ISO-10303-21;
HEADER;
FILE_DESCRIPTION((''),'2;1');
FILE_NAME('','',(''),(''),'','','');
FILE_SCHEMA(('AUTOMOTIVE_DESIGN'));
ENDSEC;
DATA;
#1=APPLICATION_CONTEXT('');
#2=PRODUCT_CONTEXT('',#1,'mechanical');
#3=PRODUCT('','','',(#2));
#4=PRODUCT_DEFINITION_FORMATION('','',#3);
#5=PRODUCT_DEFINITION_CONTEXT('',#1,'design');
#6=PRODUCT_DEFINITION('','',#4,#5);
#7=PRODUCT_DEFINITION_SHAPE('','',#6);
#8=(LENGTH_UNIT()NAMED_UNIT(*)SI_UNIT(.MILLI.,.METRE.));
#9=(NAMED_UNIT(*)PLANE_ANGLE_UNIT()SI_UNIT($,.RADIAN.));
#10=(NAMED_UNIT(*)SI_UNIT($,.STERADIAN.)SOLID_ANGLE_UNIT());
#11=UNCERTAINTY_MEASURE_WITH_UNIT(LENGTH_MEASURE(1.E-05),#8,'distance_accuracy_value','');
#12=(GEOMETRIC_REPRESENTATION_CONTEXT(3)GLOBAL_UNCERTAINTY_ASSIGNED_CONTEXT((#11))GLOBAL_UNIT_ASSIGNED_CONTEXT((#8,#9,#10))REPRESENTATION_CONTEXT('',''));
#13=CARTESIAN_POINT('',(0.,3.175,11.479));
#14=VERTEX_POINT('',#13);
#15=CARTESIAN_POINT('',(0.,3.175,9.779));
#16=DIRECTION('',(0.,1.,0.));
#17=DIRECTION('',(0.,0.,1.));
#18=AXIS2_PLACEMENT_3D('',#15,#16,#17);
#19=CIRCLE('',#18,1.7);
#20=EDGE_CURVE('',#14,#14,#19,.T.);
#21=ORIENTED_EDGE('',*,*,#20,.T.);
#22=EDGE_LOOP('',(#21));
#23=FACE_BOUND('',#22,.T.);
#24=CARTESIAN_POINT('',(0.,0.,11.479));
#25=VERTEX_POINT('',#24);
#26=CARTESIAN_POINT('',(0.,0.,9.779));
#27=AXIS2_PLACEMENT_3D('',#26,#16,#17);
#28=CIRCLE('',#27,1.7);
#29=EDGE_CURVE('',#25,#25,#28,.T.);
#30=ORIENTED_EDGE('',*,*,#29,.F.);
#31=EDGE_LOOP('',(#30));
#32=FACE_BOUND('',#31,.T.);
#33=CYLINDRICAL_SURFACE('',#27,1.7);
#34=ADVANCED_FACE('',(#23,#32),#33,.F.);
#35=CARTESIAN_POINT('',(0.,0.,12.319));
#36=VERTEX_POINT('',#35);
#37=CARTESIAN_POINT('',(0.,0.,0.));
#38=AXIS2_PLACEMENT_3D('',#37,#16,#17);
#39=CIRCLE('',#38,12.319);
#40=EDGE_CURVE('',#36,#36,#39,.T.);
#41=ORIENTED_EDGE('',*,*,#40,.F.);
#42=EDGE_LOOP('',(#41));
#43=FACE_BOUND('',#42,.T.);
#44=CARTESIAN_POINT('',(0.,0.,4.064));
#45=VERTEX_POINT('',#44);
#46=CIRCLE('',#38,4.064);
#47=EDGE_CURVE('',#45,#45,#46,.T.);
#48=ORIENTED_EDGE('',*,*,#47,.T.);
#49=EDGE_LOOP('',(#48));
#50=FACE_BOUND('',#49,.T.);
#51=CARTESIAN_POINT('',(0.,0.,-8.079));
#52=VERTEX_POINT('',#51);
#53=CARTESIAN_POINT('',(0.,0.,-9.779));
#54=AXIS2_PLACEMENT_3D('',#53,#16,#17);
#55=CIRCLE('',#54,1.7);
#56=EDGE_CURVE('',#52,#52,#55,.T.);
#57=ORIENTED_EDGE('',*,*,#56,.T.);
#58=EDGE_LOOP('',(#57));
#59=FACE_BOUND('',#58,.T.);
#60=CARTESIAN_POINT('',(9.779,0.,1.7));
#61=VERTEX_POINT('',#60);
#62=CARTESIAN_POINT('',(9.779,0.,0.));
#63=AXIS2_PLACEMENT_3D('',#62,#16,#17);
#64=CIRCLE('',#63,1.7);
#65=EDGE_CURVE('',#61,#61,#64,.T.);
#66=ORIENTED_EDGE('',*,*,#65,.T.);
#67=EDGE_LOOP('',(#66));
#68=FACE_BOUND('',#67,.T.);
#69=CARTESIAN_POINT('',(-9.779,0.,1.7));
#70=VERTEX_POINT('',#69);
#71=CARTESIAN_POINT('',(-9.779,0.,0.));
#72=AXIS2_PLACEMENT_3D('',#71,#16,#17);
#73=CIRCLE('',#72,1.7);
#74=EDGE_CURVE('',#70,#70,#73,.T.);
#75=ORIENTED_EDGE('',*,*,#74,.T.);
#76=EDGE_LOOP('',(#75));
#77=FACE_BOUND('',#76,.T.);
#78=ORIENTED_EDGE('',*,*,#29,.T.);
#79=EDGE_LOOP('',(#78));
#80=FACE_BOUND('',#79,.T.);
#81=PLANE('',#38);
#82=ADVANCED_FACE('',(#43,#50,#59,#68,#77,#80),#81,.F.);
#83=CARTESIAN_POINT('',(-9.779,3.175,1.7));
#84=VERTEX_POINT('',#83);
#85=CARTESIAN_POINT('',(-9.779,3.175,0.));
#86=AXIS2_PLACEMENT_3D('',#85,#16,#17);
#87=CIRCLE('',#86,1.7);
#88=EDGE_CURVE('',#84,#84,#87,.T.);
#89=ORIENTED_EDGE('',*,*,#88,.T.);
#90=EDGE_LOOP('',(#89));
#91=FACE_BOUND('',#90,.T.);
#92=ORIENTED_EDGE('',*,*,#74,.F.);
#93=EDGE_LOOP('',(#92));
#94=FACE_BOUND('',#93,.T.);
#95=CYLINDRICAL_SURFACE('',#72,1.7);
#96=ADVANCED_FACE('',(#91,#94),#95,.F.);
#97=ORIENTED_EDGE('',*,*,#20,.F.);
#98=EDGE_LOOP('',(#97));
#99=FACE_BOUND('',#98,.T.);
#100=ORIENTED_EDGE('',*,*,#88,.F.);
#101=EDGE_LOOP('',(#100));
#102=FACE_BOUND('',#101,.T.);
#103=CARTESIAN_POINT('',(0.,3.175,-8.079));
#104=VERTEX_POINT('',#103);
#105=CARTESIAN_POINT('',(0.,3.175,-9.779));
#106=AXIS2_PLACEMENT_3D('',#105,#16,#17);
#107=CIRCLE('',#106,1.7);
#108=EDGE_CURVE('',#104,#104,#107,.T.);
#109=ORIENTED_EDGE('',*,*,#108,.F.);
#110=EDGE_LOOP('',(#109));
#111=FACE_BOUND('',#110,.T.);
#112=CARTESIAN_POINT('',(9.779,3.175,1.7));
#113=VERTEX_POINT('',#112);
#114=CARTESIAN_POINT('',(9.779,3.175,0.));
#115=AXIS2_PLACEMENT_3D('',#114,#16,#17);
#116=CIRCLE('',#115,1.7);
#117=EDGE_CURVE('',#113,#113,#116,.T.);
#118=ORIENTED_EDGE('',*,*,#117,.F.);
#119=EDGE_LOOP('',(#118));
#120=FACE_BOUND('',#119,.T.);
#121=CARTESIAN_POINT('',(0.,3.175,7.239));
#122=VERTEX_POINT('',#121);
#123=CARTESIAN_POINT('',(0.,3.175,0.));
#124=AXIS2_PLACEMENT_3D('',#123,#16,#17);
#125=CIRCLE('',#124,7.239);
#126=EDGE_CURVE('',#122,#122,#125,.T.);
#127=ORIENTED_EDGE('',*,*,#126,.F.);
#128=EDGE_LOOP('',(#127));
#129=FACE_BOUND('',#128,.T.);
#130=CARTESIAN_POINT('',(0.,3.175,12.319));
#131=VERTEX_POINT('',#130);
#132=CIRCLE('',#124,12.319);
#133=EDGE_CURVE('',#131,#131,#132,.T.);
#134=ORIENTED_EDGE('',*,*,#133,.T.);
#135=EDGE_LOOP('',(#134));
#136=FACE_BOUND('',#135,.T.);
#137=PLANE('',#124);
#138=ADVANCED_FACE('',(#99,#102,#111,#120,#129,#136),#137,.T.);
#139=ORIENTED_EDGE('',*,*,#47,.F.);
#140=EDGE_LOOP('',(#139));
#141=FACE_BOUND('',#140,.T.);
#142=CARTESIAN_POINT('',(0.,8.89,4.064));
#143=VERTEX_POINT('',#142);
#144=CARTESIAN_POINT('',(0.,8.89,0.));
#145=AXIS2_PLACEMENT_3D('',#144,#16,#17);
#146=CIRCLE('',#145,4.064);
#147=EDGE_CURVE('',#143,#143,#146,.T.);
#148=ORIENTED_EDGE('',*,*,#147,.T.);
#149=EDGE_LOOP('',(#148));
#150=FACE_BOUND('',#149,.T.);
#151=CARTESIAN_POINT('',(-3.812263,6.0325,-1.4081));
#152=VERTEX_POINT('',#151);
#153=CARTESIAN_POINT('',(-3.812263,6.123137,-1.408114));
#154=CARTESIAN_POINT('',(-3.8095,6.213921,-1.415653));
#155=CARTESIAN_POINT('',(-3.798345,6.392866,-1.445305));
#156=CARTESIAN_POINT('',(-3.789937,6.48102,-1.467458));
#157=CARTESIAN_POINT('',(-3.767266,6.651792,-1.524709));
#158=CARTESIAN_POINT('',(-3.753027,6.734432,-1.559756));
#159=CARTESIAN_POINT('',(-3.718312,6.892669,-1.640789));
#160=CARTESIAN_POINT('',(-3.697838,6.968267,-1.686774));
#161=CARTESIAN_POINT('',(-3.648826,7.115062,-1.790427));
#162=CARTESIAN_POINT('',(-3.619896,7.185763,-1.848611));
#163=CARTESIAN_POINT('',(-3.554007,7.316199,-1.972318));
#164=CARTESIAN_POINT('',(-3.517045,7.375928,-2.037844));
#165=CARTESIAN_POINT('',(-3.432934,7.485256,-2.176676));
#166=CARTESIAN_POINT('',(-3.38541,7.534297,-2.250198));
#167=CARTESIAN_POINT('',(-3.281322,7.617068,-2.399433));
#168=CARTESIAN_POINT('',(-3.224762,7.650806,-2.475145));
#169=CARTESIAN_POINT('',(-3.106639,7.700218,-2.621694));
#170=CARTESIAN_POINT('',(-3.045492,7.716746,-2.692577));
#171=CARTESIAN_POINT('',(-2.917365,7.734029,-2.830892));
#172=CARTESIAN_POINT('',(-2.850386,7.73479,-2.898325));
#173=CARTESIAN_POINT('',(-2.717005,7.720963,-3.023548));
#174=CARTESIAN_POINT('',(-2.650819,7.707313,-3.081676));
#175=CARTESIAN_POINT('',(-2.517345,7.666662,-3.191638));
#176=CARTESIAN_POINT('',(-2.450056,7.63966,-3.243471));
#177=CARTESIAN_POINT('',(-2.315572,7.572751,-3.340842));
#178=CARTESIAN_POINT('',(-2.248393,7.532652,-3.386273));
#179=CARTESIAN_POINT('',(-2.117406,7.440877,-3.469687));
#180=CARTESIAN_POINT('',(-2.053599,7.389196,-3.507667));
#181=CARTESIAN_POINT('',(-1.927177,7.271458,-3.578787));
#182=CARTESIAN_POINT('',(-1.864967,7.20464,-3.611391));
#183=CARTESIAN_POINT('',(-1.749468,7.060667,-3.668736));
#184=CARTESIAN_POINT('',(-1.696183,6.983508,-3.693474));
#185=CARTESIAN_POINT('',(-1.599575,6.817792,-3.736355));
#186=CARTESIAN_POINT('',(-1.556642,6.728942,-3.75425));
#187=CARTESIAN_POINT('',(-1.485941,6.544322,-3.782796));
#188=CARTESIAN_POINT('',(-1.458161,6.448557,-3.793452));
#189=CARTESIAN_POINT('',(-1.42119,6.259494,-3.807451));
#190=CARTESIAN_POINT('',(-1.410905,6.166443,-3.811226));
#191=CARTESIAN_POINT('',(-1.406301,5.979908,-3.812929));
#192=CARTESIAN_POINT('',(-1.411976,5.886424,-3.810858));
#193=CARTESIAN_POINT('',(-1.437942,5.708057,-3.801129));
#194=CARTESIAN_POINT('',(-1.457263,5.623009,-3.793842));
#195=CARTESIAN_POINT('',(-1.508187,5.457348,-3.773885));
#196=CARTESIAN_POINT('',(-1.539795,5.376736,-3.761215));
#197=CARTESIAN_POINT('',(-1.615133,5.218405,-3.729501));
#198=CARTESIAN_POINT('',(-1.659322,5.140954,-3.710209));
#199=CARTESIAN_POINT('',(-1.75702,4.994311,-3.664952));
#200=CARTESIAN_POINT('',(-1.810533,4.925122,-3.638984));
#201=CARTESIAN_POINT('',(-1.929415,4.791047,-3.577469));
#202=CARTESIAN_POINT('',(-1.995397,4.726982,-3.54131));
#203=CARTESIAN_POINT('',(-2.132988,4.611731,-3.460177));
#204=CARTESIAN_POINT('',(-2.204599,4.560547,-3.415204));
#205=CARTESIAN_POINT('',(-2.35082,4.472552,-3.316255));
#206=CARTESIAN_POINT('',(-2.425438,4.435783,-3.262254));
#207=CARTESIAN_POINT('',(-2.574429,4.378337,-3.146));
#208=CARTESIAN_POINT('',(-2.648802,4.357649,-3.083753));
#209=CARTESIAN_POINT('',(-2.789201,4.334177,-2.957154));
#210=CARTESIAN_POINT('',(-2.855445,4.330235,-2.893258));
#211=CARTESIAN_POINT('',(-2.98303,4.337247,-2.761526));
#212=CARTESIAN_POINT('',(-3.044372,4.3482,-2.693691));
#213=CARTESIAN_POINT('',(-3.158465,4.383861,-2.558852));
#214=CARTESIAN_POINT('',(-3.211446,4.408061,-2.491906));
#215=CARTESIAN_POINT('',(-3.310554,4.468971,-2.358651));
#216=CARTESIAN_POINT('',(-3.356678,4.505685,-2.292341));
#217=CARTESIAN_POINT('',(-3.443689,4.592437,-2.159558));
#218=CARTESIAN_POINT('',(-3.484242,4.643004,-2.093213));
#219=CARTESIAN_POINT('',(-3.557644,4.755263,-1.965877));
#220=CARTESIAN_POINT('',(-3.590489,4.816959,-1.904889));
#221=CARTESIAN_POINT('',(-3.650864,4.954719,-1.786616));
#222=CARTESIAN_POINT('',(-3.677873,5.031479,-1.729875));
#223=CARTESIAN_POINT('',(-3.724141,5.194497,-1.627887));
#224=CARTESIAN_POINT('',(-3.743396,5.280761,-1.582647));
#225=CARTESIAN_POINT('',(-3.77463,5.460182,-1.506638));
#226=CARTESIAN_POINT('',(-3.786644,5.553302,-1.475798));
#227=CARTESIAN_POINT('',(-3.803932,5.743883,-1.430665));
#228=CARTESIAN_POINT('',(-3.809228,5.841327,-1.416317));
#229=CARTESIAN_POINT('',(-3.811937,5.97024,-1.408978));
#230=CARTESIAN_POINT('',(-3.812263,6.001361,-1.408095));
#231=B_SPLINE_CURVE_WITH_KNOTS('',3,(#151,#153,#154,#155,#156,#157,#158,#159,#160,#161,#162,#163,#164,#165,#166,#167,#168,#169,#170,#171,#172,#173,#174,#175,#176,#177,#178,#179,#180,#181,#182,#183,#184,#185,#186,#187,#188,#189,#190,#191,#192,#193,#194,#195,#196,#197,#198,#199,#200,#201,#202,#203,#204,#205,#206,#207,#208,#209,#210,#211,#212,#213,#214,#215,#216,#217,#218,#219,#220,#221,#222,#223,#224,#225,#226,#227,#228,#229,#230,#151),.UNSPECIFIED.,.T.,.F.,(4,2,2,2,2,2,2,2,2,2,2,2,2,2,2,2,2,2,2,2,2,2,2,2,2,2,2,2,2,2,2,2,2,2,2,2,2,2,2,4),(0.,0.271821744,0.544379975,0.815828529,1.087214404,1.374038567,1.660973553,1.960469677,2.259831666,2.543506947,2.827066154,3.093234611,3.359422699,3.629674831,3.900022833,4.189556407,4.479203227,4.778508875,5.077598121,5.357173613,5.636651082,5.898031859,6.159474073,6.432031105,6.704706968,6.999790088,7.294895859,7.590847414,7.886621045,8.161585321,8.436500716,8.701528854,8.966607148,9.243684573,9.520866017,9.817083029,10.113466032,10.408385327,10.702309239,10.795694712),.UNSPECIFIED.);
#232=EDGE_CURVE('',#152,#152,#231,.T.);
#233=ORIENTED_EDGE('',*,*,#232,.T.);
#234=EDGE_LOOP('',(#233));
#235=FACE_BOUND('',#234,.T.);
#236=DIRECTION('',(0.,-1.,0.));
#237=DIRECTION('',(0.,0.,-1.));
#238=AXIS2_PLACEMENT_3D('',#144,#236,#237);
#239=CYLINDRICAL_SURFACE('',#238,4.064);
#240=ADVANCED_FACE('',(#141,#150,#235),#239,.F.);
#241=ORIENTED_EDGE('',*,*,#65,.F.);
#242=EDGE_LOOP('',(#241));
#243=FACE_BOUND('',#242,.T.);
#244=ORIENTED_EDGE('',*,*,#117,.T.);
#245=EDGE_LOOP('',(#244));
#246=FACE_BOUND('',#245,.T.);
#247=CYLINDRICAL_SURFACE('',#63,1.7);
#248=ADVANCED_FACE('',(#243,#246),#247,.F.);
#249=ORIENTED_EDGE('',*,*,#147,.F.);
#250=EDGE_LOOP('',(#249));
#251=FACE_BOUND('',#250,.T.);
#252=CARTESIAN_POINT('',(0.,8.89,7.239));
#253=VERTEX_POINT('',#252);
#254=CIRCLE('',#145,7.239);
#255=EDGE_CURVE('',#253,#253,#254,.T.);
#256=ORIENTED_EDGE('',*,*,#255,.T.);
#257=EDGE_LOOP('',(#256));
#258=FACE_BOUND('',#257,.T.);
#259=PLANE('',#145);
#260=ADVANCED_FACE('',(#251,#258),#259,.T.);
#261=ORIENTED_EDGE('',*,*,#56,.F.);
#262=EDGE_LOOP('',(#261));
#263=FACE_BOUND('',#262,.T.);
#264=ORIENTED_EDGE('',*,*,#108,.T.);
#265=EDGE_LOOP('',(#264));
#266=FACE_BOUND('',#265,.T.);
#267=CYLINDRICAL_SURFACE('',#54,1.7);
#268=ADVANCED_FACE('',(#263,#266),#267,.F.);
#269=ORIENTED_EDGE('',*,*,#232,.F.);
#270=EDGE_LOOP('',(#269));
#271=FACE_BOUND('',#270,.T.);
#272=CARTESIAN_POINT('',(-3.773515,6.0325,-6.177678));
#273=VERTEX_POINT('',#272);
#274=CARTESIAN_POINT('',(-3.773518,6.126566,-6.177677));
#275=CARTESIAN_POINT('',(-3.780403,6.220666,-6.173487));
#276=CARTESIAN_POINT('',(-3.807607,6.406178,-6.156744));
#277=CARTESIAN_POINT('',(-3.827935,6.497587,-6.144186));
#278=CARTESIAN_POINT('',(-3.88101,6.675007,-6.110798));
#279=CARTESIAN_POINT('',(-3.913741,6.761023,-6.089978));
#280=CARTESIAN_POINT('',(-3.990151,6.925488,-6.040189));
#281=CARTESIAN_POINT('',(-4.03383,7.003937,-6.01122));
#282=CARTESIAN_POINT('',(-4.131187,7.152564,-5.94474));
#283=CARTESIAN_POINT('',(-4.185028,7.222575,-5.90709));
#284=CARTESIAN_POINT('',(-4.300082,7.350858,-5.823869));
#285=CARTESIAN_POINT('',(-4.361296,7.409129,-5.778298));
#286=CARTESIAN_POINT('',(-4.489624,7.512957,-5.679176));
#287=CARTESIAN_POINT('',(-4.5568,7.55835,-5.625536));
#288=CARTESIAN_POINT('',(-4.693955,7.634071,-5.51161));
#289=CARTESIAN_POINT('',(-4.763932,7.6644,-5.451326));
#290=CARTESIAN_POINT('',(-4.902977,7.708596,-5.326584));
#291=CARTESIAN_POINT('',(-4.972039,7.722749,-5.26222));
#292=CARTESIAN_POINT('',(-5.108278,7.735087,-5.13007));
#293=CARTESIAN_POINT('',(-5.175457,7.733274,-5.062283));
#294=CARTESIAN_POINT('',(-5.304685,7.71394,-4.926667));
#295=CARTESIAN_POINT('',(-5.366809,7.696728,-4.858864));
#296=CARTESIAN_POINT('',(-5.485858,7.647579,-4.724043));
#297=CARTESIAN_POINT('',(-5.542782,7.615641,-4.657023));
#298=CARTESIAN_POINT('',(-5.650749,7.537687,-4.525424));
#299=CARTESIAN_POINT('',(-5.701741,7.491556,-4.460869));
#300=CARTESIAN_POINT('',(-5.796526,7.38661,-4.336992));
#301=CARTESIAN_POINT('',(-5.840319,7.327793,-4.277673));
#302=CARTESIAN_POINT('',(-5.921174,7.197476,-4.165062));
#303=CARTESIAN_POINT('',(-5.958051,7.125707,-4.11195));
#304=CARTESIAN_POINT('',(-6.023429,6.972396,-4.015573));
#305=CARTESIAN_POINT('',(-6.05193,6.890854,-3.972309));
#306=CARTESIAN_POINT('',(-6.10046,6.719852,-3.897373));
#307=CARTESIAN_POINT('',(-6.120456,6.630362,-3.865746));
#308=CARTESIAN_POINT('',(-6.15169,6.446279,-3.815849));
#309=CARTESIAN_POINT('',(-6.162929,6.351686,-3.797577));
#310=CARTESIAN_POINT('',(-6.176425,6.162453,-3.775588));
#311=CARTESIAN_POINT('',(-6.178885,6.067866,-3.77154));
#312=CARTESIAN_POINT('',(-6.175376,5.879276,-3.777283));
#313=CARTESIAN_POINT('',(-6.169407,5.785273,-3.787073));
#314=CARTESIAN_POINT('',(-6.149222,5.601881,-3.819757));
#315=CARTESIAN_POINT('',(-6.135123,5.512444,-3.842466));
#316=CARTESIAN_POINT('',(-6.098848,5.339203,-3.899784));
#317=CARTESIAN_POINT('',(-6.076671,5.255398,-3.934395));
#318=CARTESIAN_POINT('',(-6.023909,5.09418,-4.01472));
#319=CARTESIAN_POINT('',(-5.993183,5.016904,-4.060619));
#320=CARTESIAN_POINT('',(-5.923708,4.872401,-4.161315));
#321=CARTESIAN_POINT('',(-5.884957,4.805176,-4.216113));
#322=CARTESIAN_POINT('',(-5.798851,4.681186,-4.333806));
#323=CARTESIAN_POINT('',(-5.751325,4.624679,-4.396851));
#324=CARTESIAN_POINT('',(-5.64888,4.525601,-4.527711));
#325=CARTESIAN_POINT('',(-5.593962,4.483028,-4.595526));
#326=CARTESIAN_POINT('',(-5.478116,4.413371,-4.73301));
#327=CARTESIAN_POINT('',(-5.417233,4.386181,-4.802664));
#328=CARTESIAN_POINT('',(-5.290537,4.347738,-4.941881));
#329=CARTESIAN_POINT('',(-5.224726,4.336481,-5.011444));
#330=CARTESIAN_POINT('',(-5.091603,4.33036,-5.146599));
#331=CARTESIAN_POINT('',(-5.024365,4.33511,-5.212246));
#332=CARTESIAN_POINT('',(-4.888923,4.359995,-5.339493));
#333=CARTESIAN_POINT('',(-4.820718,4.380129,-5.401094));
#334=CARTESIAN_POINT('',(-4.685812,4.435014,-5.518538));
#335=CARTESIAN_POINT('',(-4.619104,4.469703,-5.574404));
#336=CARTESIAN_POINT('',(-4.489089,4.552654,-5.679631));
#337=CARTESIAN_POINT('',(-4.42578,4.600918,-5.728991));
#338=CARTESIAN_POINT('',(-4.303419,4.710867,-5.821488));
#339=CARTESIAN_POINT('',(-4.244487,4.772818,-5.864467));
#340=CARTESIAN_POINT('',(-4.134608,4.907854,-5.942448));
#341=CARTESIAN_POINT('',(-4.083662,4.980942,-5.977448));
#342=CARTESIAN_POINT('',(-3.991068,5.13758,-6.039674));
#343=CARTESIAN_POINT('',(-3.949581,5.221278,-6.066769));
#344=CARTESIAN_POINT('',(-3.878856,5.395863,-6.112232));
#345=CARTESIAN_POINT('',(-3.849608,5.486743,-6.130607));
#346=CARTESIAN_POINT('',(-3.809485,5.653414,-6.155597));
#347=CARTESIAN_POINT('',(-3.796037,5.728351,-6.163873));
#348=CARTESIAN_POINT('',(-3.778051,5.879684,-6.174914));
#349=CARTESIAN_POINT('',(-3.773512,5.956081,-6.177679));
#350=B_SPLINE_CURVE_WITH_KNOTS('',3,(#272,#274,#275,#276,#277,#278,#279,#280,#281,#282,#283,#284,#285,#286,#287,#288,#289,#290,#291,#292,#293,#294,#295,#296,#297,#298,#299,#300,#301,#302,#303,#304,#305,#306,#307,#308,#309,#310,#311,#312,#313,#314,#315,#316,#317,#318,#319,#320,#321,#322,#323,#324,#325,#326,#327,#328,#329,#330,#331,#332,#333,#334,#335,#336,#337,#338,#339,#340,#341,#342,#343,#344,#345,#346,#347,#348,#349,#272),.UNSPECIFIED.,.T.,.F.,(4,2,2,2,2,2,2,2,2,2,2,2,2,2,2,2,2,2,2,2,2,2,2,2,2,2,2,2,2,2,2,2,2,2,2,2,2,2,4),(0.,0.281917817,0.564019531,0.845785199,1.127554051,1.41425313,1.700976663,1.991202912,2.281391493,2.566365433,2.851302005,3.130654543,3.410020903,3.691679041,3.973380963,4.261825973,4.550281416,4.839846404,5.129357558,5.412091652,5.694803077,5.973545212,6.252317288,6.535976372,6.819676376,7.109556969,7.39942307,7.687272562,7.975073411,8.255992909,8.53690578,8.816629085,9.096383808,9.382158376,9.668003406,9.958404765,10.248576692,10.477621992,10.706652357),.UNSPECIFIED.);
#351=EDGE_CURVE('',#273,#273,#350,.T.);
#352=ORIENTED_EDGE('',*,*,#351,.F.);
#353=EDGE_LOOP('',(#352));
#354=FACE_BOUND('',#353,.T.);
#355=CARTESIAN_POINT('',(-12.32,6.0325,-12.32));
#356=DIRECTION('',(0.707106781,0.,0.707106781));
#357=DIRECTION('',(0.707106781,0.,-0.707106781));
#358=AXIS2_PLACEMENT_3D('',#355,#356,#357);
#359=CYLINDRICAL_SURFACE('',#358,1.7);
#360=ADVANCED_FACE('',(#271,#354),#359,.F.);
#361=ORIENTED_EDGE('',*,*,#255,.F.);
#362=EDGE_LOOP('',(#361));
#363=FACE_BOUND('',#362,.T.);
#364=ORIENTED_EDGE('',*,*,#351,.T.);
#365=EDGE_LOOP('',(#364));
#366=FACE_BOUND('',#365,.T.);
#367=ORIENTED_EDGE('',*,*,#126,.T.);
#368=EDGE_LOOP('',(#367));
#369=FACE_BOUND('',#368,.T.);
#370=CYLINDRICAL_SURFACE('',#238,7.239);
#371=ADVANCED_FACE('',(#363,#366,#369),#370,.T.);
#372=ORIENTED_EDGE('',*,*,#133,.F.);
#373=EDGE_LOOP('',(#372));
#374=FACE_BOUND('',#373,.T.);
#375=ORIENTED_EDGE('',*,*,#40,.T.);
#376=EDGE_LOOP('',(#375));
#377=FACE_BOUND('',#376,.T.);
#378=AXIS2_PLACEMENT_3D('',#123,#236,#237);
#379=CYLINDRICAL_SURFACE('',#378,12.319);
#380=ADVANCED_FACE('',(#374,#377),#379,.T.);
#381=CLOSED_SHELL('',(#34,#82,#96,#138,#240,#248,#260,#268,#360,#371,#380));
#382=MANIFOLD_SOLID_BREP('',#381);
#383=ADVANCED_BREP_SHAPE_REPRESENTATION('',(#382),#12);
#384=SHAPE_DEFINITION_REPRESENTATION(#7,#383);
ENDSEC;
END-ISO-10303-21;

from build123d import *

# Parameters (mm, degrees)
SKETCH1_R                           = 7.239
SKETCH1_R_2                         = 4.064
BOSS_EXTRUDE1_DEPTH                 = 8.89
SKETCH1_3_R                         = 12.319
SKETCH1_3_R_2                       = 7.239
BOSS_EXTRUDE2_DEPTH                 = 3.175
SKETCH2_R                           = 1.7
CUT_EXTRUDE1_DEPTH                  = 3.175
CUT_EXTRUDE2_REACH                  = 27.909
CUT_EXTRUDE2_END_RADIUS             = 4.064
SKETCH5_R                           = 1.7
CUT_EXTRUDE2_DIRECTION_2_REACH      = 27.909
CUT_EXTRUDE2_DIRECTION_2_END_RADIUS = 7.239


with BuildPart() as part:
    # Sketch1 → Boss-Extrude1 (new body)
    with BuildSketch(Plane(origin=(0, 0, 0), x_dir=(1, 0, 0), z_dir=(0, 1, 0))):
        with Locations(Location((0, 0, 0), (0, 0, 270))):
            Circle(SKETCH1_R)
        with Locations(Location((0, 0, 0), (0, 0, 270))):
            Circle(SKETCH1_R_2, mode=Mode.SUBTRACT)
    extrude(amount=BOSS_EXTRUDE1_DEPTH)

    # Sketch1<3> → Boss-Extrude2 (add)
    with BuildSketch(Plane(origin=(0, 0, 0), x_dir=(1, 0, 0), z_dir=(0, 1, 0))):
        with Locations(Location((0, 0, 0), (0, 0, 270))):
            Circle(SKETCH1_3_R)
        with Locations(Location((0, 0, 0), (0, 0, 270))):
            Circle(SKETCH1_3_R_2, mode=Mode.SUBTRACT)
    extrude(amount=BOSS_EXTRUDE2_DEPTH)

    # Sketch2 → Cut-Extrude1 (cut)
    with BuildSketch(Plane(origin=(0, 3.175, 0), x_dir=(1, 0, 0), z_dir=(0, 1, 0))):
        with Locations(Location((0, 9.779, 0), (0, 0, 270))):
            Circle(SKETCH2_R)
        with Locations(Location((9.779, 0, 0), (0, 0, 270))):
            Circle(SKETCH2_R)
        with Locations(Location((0, -9.779, 0), (0, 0, 270))):
            Circle(SKETCH2_R)
        with Locations(Location((-9.779, 0, 0), (0, 0, 270))):
            Circle(SKETCH2_R)
    extrude(amount=-CUT_EXTRUDE1_DEPTH, mode=Mode.SUBTRACT)

    # Cut-Extrude2: up to this cylinder (the profile starts outside it)
    cut_extrude2_end = Plane(origin=(0, 6.0325, 0), z_dir=(0, -1, 0)) * Cylinder(CUT_EXTRUDE2_END_RADIUS, 64.946, mode=Mode.PRIVATE)
    # Sketch5 → Cut-Extrude2 (cut, up to the surface)
    with BuildSketch(Plane(origin=(-4.8895, 0, -4.8895), x_dir=(-0.7071067811865475, 0, 0.7071067811865477), z_dir=(-0.7071067811865477, 0, -0.7071067811865475)), mode=Mode.PRIVATE) as cut_extrude2_sk1:
        with Locations(Location((0, 6.0325, 0), (0, 0, 180))):
            Circle(SKETCH5_R)
    cut_extrude2_tool1 = extrude(cut_extrude2_sk1.sketch, amount=-CUT_EXTRUDE2_REACH, mode=Mode.PRIVATE) - cut_extrude2_end
    add(cut_extrude2_tool1.solids().sort_by_distance((-4.8895, 6.0325, -4.8895))[0], mode=Mode.SUBTRACT)

    # Cut-Extrude2 direction 2: up to this cylinder (the profile starts inside it)
    cut_extrude2_direction_2_end = Plane(origin=(0, 6.0325, 0), z_dir=(0, -1, 0)) * Cylinder(CUT_EXTRUDE2_DIRECTION_2_END_RADIUS, 71.296, mode=Mode.PRIVATE)
    # Sketch5 → Cut-Extrude2 direction 2 (cut, up to the surface)
    with BuildSketch(Plane(origin=(-4.8895, 0, -4.8895), x_dir=(-0.7071067811865475, 0, 0.7071067811865477), z_dir=(-0.7071067811865477, 0, -0.7071067811865475)), mode=Mode.PRIVATE) as cut_extrude2_direction_2_sk1:
        with Locations(Location((0, 6.0325, 0), (0, 0, 180))):
            Circle(SKETCH5_R)
    cut_extrude2_direction_2_tool1 = extrude(cut_extrude2_direction_2_sk1.sketch, amount=CUT_EXTRUDE2_DIRECTION_2_REACH, mode=Mode.PRIVATE) & cut_extrude2_direction_2_end
    add(cut_extrude2_direction_2_tool1.solids().sort_by_distance((-4.8895, 6.0325, -4.8895))[0], mode=Mode.SUBTRACT)


solid = part.part
